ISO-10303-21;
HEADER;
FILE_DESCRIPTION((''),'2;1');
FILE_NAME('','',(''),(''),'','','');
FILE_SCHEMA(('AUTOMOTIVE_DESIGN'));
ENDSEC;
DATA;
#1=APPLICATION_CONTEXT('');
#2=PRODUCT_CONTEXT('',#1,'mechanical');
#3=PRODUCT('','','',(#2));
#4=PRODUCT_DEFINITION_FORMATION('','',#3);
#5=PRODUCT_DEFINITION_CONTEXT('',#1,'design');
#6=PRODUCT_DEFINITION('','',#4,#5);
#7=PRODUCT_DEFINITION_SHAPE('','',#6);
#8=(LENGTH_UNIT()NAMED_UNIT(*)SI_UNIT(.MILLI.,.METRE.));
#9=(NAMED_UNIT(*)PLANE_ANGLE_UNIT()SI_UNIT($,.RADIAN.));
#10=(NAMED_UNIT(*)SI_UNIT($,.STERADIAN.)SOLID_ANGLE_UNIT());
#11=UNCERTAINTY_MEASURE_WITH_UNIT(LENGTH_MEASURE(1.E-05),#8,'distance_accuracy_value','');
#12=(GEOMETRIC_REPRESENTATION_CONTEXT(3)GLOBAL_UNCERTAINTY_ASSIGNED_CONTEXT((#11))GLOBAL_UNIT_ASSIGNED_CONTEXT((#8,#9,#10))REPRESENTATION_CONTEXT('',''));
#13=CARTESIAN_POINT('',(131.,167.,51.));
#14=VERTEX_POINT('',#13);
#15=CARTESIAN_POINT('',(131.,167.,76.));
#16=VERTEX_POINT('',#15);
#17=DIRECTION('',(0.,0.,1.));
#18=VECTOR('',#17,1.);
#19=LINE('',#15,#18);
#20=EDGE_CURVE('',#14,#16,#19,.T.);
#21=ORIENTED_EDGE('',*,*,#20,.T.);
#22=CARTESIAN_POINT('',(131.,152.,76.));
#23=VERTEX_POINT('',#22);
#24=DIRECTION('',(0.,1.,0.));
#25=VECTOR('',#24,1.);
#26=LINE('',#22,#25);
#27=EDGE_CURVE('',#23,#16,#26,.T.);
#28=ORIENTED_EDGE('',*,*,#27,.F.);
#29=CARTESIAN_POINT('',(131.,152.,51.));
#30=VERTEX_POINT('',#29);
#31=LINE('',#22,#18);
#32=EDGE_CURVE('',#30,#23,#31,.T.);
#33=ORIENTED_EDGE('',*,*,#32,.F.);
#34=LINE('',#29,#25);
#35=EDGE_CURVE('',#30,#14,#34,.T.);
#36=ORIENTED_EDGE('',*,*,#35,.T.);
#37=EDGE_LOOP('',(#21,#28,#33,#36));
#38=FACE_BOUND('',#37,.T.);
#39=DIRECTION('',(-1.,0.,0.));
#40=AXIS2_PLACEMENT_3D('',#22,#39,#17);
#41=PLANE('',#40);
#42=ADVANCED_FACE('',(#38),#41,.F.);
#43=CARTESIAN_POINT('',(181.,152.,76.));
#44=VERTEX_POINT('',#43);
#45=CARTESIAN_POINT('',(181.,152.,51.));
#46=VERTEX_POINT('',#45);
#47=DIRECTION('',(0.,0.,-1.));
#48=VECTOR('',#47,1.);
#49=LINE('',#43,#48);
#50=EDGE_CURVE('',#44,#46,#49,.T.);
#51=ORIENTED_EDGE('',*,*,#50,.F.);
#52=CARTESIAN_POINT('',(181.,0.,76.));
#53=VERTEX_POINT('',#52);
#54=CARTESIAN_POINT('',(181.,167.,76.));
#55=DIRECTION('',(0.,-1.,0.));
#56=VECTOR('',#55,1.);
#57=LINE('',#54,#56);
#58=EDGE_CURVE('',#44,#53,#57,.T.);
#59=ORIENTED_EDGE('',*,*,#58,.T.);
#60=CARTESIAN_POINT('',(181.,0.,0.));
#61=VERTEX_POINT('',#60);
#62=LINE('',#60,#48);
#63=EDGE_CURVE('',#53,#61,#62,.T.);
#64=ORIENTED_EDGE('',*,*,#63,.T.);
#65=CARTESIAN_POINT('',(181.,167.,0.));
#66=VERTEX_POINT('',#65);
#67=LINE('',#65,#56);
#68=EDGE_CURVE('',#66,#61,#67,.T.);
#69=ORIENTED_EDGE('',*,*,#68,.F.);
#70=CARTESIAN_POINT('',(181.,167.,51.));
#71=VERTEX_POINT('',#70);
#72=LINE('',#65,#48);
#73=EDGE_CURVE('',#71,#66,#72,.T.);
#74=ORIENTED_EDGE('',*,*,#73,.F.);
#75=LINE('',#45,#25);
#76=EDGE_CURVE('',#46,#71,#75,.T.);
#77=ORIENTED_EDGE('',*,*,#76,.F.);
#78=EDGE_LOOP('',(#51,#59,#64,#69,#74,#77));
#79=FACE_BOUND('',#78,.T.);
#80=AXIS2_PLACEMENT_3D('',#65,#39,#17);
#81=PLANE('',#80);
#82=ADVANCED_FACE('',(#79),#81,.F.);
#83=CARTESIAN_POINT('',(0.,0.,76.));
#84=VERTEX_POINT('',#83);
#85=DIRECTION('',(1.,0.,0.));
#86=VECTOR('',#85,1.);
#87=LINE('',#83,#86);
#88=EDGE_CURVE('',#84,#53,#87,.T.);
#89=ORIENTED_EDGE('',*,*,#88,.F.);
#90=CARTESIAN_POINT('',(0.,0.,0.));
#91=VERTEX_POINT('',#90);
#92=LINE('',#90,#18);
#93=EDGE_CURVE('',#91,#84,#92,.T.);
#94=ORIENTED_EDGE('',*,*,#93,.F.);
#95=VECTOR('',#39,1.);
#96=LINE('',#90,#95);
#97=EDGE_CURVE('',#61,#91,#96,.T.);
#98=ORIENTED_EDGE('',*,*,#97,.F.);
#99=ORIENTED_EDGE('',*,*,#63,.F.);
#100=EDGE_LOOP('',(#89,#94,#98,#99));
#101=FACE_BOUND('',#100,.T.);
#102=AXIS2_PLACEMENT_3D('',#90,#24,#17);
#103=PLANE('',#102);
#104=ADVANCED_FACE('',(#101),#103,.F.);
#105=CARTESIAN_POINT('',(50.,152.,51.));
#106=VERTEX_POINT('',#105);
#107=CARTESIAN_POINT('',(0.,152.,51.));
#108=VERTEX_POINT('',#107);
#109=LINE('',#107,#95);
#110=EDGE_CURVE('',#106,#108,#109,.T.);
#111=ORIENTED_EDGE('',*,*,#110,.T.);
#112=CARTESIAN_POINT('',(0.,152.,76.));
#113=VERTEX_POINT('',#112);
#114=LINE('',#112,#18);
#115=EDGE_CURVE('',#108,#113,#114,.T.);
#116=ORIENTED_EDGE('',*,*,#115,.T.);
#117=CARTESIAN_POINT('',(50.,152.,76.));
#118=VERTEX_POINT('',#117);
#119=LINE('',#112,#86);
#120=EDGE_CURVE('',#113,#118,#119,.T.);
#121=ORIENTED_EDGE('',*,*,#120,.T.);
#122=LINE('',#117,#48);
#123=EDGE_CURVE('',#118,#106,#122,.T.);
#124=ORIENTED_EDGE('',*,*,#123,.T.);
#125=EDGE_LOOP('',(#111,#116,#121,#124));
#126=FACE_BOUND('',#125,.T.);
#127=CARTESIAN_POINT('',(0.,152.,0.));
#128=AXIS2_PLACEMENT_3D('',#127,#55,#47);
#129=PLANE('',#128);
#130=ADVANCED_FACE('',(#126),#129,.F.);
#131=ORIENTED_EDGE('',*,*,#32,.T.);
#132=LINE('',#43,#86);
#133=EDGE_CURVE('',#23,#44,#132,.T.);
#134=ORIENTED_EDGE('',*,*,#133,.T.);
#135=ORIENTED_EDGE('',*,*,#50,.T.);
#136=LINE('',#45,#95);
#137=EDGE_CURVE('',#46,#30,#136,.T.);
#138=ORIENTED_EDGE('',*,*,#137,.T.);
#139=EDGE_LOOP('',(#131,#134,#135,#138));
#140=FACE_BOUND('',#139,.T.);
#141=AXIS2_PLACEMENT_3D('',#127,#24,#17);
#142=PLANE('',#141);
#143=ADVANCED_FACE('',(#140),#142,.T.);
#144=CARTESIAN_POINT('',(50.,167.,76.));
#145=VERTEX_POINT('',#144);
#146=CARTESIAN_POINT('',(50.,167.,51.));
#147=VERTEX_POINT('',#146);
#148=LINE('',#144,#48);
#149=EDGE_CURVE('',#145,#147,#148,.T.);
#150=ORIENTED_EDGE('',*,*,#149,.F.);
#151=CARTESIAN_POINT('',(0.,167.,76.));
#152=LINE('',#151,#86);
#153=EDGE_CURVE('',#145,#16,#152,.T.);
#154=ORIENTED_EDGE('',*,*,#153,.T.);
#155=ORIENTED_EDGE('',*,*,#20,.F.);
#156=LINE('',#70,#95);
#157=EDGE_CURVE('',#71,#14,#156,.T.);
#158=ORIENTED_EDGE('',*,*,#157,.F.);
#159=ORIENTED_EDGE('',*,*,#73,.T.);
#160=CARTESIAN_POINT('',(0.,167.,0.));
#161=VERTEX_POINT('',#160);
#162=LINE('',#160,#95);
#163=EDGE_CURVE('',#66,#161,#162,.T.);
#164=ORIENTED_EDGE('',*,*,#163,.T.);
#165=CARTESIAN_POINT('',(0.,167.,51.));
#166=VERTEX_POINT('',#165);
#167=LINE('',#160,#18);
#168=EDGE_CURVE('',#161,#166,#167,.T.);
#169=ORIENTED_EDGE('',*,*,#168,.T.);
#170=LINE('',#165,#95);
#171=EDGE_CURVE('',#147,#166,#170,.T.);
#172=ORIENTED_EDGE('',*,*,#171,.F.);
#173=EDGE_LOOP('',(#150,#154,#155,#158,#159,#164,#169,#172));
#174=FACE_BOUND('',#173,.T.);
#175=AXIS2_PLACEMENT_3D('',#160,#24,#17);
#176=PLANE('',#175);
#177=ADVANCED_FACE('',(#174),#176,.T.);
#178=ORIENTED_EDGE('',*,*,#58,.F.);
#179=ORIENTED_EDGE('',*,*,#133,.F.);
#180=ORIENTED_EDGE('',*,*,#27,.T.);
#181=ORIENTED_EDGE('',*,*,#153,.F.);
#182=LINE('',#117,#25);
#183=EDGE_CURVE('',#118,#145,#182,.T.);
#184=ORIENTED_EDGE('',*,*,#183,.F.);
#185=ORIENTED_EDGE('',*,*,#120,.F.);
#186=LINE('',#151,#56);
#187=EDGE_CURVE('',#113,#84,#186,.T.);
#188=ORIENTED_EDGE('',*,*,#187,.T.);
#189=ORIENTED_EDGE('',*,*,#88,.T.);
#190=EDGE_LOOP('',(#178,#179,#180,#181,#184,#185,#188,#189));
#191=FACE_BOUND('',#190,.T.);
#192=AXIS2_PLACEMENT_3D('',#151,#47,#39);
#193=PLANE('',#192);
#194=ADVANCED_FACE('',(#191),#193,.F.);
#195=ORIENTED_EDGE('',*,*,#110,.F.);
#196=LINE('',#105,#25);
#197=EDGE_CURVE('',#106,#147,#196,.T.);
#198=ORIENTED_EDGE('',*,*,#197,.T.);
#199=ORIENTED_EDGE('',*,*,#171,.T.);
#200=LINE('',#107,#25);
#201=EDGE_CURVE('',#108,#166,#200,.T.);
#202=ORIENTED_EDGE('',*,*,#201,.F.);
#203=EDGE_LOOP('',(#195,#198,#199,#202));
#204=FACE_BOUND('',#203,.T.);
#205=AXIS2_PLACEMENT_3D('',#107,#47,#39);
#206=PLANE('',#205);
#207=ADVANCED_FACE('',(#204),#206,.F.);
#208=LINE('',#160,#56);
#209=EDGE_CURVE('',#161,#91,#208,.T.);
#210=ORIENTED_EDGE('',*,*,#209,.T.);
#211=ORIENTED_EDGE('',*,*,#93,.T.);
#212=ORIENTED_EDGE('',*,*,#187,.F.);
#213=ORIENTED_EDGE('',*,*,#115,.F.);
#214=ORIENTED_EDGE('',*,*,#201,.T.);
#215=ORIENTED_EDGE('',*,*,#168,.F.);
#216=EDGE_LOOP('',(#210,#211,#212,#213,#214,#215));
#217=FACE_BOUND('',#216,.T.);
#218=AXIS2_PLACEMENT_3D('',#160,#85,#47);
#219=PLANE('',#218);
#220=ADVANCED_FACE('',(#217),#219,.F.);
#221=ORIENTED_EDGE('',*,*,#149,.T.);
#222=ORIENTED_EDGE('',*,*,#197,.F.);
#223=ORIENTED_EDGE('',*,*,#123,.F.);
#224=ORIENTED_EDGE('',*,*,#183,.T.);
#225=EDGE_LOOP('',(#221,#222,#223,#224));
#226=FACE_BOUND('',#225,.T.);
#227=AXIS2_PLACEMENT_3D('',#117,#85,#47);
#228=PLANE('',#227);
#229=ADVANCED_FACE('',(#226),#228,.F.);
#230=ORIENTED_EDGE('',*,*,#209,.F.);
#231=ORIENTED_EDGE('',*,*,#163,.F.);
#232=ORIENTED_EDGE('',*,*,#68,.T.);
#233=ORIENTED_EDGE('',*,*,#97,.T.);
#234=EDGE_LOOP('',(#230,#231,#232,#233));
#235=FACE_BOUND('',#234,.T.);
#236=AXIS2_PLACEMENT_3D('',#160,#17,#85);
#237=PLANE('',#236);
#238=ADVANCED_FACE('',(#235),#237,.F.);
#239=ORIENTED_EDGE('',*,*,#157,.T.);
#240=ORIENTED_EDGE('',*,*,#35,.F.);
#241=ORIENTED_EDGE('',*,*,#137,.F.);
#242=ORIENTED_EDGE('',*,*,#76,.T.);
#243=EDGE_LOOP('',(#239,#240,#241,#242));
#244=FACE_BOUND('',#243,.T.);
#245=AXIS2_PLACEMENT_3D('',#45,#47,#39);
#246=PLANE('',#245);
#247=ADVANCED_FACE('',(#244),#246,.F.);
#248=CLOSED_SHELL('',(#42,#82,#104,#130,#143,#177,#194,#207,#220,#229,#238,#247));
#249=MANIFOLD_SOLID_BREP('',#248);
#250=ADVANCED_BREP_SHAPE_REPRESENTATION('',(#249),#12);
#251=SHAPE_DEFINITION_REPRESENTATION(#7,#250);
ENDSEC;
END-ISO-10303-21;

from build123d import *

# Parameters (mm, degrees)
SKETCH1_W           = 181
SKETCH1_H           = 76
BOSS_EXTRUDE1_DEPTH = 167
SKETCH3_W           = 50
SKETCH3_H           = 25
CUT_EXTRUDE2_DEPTH  = 15


with BuildPart() as part:
    # Sketch1 → Boss-Extrude1 (new body)
    with BuildSketch(Plane(origin=(0, 0, 0), x_dir=(1, 0, 0), z_dir=(0, 1, 0))):
        with Locations((90.5, -38)):
            Rectangle(SKETCH1_W, SKETCH1_H)
    extrude(amount=BOSS_EXTRUDE1_DEPTH)

    # Sketch3 → Cut-Extrude2 (cut)
    with BuildSketch(Plane(origin=(0, 167, 0), x_dir=(1, 0, 0), z_dir=(0, 1, 0))):
        with Locations((156, -63.5)):
            Rectangle(SKETCH3_W, SKETCH3_H)
        with Locations((25, -63.5)):
            Rectangle(SKETCH3_W, SKETCH3_H)
    extrude(amount=-CUT_EXTRUDE2_DEPTH, mode=Mode.SUBTRACT)


solid = part.part
